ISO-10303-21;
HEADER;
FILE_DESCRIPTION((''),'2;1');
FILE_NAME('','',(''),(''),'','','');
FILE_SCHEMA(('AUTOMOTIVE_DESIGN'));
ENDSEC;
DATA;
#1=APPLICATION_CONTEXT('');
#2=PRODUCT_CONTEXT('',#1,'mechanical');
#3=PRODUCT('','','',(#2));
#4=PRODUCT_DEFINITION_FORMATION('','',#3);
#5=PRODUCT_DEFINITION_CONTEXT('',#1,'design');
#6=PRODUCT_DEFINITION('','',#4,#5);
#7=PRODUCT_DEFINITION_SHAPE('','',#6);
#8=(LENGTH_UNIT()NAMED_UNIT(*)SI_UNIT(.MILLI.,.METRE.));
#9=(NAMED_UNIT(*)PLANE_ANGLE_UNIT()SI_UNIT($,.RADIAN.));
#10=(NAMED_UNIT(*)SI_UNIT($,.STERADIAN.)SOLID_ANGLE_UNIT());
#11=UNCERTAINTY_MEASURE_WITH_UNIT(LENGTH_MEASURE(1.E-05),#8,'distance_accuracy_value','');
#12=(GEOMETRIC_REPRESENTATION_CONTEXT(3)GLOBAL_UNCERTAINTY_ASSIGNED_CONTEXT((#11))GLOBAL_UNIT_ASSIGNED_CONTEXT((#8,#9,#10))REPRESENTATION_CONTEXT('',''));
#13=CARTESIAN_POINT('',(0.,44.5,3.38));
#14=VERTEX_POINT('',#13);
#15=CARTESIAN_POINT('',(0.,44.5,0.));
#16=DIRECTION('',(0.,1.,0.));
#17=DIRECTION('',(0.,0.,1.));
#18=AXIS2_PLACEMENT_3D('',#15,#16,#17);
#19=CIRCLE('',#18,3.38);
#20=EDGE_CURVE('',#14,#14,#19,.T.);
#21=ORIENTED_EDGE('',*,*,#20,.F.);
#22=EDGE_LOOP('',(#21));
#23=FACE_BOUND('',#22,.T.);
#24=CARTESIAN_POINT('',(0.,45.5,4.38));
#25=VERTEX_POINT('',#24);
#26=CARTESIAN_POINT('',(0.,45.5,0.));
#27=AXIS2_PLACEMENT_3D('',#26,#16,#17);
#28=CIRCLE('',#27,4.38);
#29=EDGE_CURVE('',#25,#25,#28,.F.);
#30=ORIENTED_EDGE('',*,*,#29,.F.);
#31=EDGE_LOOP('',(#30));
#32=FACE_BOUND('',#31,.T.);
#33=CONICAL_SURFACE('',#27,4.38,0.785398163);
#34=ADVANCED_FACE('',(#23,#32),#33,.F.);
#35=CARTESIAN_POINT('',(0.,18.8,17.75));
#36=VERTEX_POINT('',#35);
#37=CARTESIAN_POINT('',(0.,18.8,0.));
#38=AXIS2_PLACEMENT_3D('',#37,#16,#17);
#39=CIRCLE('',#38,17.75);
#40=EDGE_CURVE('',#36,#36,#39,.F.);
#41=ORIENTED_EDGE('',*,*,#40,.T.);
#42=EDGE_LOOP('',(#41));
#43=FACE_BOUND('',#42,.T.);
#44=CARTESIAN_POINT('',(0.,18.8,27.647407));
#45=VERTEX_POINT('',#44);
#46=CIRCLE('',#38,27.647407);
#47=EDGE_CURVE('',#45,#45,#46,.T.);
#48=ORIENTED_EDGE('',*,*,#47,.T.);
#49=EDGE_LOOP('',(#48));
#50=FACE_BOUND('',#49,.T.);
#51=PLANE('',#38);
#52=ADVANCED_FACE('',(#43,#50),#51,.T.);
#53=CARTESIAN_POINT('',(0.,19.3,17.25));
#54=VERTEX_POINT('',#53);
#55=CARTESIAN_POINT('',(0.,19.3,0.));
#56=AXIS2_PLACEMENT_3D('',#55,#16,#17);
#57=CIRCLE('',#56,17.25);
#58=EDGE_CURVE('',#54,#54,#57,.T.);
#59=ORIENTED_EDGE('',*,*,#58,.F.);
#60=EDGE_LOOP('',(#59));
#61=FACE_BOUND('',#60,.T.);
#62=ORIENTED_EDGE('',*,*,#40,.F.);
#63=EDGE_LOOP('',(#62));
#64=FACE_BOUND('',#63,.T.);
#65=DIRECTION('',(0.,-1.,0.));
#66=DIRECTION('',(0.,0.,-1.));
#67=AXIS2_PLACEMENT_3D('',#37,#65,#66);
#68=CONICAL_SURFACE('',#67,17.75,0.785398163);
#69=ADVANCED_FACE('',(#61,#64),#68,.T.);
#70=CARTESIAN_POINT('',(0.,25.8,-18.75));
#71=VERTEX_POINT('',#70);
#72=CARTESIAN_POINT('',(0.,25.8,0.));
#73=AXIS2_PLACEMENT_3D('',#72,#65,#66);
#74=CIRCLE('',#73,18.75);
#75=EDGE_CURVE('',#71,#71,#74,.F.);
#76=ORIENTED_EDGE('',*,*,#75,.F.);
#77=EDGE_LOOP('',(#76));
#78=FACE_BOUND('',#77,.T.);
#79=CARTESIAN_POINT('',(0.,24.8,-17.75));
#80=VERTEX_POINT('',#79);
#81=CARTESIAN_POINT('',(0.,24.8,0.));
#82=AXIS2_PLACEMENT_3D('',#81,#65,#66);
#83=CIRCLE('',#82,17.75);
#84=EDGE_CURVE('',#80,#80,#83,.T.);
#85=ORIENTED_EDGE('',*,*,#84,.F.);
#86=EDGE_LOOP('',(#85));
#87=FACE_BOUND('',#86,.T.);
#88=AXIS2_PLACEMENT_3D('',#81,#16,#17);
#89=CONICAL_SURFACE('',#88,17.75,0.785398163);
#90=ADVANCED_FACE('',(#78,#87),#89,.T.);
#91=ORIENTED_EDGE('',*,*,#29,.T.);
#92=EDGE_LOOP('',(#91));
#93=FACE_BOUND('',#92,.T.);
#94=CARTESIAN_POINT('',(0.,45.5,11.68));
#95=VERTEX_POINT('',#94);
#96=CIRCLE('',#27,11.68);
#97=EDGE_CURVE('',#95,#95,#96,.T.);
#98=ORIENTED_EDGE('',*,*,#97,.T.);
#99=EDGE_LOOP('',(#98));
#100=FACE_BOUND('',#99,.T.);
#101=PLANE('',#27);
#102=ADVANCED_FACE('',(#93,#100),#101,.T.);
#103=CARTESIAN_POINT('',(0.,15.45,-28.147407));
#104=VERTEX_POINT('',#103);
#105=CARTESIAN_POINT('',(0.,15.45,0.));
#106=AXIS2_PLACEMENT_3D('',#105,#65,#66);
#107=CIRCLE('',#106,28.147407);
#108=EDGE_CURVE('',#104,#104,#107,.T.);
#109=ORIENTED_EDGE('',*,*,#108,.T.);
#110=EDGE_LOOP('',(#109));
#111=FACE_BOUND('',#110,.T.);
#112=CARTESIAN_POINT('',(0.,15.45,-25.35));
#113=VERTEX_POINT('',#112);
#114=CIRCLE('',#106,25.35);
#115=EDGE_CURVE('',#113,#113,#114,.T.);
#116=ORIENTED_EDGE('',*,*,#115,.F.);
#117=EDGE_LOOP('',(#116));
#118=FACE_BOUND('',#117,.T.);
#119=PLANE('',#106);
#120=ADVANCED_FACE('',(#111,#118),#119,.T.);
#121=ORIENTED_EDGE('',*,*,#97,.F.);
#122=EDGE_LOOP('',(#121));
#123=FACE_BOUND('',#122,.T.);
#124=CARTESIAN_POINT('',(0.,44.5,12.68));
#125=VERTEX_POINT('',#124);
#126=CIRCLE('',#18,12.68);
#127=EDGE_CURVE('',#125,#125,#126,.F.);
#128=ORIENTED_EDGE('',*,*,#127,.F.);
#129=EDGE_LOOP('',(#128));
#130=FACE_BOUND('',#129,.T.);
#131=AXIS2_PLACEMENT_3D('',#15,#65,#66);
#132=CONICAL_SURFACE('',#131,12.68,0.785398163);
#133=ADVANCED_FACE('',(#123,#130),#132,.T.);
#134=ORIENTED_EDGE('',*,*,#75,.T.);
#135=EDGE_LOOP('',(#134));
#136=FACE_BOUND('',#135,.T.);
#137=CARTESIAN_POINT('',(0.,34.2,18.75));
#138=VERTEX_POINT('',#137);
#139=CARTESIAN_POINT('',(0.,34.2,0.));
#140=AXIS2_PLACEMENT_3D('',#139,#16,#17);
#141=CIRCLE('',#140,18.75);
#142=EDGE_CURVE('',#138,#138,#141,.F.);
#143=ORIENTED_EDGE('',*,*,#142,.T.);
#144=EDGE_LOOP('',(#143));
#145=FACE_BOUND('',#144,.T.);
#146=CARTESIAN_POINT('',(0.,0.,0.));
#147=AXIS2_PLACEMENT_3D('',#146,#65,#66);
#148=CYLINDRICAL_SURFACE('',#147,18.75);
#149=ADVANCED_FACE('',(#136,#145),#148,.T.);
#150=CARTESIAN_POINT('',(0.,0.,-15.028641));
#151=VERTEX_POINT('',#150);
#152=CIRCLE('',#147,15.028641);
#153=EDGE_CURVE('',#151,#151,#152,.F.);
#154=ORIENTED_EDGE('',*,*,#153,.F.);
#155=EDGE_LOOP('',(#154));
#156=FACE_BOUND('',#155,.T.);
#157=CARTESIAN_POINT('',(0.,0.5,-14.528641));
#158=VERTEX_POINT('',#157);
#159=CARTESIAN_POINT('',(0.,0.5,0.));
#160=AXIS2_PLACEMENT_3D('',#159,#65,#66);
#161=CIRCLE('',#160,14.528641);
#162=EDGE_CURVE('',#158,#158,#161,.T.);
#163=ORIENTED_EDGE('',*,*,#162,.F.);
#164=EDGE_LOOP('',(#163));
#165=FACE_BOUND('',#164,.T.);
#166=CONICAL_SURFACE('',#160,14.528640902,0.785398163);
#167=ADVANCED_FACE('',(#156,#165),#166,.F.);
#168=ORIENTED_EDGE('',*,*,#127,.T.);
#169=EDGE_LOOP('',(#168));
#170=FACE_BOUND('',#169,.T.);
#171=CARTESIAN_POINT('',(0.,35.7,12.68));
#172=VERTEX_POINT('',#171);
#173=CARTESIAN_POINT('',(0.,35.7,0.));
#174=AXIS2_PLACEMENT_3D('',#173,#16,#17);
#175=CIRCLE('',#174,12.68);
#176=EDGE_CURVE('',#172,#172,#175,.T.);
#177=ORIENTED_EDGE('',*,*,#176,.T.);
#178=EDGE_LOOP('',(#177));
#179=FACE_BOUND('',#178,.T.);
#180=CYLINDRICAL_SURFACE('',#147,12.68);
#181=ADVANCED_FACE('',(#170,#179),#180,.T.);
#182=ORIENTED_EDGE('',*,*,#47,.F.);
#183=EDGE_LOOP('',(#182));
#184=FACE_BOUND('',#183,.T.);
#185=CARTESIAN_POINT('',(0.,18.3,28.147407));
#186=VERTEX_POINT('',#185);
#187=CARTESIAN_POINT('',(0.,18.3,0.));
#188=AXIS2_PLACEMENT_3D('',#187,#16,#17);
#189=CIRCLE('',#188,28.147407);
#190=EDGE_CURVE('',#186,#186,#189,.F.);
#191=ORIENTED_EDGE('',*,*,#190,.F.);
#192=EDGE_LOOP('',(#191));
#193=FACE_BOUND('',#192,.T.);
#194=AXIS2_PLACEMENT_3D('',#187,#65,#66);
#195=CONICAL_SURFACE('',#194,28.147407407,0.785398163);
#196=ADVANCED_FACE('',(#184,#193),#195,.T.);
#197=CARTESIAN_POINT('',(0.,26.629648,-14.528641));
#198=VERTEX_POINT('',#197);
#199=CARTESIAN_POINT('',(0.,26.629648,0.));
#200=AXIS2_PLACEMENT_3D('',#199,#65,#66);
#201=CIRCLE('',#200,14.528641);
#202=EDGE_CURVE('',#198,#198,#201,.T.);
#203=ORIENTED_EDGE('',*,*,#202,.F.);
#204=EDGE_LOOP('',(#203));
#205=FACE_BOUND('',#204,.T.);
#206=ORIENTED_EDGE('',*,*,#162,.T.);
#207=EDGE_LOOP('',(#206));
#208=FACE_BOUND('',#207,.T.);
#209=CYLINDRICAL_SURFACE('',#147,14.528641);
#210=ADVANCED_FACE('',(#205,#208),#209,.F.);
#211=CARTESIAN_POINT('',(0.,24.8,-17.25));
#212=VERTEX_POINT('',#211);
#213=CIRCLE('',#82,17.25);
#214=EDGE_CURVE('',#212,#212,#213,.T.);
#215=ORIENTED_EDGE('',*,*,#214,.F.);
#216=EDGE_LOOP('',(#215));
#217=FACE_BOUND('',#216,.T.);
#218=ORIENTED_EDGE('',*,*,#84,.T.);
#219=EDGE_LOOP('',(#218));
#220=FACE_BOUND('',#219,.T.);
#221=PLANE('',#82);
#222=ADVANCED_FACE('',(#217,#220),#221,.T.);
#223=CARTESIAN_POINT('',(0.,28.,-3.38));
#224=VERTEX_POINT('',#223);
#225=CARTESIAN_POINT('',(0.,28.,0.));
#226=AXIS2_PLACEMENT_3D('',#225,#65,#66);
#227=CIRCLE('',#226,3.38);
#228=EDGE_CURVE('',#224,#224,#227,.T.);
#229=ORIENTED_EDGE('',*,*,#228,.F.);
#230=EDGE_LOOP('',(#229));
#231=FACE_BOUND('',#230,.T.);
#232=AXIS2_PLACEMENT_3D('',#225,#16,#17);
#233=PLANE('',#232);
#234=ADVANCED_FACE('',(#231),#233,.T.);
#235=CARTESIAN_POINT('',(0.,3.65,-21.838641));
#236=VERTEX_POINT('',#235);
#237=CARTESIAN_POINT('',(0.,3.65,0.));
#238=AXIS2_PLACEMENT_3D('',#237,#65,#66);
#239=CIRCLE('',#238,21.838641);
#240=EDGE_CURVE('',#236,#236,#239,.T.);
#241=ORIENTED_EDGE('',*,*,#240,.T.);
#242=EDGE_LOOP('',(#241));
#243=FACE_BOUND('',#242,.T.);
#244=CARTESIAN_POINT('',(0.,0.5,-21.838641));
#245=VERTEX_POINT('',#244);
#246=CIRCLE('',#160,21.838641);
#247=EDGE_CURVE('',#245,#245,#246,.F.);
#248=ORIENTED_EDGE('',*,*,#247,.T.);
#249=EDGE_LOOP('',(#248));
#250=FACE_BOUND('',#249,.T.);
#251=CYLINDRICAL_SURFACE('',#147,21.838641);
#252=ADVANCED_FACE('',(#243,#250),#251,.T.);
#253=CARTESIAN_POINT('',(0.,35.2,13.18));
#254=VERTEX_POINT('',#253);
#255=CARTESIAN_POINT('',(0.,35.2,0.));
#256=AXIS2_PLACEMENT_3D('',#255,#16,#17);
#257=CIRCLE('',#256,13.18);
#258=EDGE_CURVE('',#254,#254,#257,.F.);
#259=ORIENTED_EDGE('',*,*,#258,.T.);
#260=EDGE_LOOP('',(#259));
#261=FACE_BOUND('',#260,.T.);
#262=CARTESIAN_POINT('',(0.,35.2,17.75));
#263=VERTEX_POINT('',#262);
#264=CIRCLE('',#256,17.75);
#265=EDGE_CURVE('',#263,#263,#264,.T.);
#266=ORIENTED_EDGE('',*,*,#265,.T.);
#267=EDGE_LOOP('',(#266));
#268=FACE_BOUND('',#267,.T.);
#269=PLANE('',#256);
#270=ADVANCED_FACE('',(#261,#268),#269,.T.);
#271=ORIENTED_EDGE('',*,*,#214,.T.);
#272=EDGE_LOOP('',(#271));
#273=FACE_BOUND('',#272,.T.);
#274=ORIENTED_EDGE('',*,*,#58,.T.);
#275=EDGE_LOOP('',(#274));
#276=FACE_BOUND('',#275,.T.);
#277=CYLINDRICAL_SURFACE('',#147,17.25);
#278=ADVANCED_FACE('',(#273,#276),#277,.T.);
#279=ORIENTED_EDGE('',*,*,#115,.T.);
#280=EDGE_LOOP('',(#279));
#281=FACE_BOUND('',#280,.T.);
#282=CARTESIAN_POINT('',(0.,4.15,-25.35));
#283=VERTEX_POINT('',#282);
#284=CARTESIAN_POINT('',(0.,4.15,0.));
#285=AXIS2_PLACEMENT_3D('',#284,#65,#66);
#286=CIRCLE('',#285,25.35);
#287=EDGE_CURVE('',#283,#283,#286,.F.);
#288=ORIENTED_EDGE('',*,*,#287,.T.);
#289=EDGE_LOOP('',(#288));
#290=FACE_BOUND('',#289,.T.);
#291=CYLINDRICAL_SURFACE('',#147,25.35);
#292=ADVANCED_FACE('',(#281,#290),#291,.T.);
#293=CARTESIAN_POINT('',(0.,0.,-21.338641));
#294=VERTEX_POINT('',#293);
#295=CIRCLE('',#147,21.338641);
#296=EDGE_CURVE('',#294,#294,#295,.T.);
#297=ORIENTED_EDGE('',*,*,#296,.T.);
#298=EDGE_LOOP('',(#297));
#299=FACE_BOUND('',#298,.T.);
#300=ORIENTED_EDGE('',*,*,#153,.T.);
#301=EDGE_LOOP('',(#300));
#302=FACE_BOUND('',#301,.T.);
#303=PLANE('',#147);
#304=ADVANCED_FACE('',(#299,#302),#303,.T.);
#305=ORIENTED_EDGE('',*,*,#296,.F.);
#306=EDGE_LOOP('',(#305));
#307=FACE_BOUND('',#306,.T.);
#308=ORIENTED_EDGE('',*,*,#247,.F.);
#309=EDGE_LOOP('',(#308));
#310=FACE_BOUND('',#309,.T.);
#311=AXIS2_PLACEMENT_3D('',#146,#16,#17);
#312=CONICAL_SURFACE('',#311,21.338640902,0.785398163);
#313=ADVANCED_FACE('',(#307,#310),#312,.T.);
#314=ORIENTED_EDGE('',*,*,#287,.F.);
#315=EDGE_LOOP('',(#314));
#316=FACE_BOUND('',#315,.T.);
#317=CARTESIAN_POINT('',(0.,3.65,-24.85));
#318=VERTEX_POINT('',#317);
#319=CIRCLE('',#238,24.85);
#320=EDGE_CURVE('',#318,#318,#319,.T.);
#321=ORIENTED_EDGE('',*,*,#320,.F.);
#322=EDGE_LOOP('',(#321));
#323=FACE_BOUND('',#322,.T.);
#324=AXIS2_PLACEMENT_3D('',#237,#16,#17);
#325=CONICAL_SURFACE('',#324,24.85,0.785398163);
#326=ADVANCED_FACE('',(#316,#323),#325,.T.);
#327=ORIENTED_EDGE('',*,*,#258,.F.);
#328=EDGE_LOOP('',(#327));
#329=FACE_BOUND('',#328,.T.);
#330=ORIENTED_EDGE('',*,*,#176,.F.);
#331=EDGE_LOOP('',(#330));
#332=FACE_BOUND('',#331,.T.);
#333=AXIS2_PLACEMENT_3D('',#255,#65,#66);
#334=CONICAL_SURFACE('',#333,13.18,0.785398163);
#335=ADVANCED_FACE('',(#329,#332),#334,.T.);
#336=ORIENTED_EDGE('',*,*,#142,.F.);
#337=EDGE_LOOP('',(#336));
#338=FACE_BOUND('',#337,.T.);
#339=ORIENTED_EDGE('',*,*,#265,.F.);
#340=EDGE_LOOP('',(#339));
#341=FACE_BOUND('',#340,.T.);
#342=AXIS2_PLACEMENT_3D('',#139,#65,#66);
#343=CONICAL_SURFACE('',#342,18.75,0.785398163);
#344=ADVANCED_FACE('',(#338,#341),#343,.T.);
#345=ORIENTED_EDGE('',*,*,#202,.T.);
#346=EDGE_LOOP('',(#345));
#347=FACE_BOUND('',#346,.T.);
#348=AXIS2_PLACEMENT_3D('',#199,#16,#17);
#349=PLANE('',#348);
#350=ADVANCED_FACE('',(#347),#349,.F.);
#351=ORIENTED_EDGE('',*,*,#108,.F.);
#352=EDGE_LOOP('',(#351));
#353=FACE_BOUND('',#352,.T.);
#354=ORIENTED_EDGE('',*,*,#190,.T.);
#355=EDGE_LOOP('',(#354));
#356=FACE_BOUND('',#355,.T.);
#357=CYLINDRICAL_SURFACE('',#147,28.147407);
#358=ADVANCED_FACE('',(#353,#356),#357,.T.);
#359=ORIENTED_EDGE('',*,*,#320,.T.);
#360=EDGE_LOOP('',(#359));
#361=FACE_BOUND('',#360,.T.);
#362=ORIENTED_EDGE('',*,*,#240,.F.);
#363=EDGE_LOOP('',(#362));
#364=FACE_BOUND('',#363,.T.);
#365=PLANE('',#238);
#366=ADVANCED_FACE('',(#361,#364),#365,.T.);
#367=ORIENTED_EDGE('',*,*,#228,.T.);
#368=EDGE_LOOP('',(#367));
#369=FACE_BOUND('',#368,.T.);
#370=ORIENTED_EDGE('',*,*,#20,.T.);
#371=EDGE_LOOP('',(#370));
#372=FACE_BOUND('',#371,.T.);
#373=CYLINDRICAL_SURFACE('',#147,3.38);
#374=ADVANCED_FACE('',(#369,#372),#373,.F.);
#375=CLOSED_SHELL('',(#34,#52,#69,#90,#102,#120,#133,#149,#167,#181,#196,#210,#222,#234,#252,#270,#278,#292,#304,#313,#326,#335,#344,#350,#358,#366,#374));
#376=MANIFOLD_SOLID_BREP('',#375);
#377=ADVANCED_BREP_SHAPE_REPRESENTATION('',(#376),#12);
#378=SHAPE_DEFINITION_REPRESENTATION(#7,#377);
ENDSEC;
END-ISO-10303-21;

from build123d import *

# Parameters (mm, degrees)
CHAMFER2_SIZE = 1
CHAMFER3_SIZE = 1
CHAMFER4_SIZE = 0.5


with BuildPart() as part:
    # Sketch1 → Revolve1 (revolve)
    with BuildSketch(Plane.XY):
        Polygon((0, 28), (0, 26.629648104), (14.528640902, 26.629648104), (14.528640902, 0), (21.838640902, 0), (21.838640902, 3.65), (25.35, 3.65), (25.35, 15.45), (28.147407407, 15.45), (28.147407407, 18.8), (17.25, 18.8), (17.25, 24.8), (18.75, 24.8), (18.75, 35.2), (12.68, 35.2), (12.68, 45.5), (3.38, 45.5), (3.38, 28), align=None)
    revolve(axis=Axis((0, 0, 0), (0, 1, 0)))

    # Chamfer2
    chamfer2_edges = [part.edges().sort_by_distance(p)[0] for p in [
        (-3.38, 45.5, 0),
        (-18.75, 35.2, 0),
        (-18.75, 24.8, 0),
    ]]
    chamfer(chamfer2_edges, length=CHAMFER2_SIZE)

    # Chamfer3
    chamfer3_edges = [part.edges().sort_by_distance(p)[0] for p in [
        (-12.68, 45.5, 0),
    ]]
    chamfer(chamfer3_edges, length=CHAMFER3_SIZE)

    # Chamfer4
    chamfer4_edges = [part.edges().sort_by_distance(p)[0] for p in [
        (-12.68, 35.2, 0),
        (-17.25, 18.8, 0),
        (-28.147407407, 18.8, 0),
        (-25.35, 3.65, 0),
        (-21.838640902, 0, 0),
        (-14.528640902, 0, 0),
    ]]
    chamfer(chamfer4_edges, length=CHAMFER4_SIZE)


solid = part.part
